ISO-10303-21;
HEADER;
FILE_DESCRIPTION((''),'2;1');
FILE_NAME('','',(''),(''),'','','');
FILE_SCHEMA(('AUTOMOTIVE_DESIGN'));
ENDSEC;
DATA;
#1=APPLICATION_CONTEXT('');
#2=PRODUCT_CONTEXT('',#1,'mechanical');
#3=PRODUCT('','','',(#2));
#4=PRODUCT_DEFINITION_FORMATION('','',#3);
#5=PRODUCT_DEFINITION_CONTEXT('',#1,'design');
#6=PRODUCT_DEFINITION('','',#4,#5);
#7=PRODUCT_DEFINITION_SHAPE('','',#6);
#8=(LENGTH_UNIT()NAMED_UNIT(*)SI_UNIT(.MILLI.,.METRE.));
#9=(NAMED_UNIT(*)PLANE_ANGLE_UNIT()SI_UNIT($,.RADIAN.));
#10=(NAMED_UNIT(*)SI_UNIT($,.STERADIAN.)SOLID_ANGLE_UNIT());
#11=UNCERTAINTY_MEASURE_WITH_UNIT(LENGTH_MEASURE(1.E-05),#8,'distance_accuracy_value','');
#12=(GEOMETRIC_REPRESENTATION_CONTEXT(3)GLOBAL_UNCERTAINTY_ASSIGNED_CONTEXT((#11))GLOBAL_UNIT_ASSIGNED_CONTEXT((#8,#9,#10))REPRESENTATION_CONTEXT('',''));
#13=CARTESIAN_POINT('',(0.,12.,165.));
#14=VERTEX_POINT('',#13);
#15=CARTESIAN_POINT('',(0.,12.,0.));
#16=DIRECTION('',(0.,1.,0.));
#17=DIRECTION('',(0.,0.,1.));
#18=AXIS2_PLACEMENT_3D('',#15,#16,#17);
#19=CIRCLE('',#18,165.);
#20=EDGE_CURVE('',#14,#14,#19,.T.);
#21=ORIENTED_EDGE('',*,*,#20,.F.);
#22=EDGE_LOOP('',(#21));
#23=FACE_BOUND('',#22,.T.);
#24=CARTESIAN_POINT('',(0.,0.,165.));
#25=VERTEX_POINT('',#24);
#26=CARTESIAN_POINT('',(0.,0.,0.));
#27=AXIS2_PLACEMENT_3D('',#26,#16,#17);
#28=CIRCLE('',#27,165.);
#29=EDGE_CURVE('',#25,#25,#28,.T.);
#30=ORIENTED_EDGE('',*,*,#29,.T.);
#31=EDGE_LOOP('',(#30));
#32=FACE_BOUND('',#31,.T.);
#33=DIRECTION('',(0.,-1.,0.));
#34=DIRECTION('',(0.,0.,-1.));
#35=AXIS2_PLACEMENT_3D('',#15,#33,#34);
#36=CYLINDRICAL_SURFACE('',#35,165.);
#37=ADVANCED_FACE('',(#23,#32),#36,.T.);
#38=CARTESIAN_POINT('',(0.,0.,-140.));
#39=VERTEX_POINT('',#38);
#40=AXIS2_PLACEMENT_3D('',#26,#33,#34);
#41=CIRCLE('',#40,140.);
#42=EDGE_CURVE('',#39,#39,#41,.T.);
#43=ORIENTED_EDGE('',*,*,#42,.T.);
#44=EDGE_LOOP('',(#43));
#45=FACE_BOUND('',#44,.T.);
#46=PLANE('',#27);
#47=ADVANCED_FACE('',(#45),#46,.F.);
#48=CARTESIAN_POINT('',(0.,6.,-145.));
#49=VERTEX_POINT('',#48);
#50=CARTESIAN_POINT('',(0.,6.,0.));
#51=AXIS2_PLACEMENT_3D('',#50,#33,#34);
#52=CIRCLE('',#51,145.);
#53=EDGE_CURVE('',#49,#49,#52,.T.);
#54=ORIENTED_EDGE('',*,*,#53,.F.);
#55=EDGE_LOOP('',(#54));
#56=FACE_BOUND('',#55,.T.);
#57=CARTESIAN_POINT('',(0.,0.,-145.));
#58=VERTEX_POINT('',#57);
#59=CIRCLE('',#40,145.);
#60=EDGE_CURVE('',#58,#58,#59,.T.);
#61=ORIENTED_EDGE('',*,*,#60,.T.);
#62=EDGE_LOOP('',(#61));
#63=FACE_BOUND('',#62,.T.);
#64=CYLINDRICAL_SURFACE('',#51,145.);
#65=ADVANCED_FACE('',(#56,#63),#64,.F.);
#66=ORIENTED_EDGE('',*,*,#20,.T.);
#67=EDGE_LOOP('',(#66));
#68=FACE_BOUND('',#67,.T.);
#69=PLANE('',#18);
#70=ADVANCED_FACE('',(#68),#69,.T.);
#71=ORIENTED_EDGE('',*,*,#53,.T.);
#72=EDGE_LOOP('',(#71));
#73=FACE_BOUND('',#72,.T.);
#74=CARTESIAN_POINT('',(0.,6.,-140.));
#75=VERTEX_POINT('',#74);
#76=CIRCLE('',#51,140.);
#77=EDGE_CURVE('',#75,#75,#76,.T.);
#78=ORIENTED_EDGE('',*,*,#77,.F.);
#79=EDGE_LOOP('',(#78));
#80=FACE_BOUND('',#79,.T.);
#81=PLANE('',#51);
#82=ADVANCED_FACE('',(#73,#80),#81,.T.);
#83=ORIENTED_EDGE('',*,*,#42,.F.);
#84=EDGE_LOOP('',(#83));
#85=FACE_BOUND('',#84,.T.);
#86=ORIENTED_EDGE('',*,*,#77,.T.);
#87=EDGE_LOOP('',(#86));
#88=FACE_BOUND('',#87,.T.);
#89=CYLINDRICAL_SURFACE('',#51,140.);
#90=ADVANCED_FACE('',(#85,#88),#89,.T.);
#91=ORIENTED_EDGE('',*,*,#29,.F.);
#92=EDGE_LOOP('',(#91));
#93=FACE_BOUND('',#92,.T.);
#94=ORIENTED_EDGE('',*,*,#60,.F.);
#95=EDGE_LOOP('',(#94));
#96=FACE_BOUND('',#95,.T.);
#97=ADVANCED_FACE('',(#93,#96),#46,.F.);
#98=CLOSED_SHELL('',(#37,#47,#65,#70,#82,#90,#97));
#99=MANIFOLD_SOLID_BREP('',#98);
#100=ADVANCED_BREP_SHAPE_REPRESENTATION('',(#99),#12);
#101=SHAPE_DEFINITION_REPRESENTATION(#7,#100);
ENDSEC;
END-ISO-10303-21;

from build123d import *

# Parameters (mm, degrees)
SKETCH1_R           = 165
BOSS_EXTRUDE1_DEPTH = 12
SKETCH2_R           = 145
SKETCH2_R_2         = 140
CUT_EXTRUDE1_DEPTH  = 6


with BuildPart() as part:
    # Sketch1 → Boss-Extrude1 (new body)
    with BuildSketch(Plane(origin=(0, 0, 0), x_dir=(1, 0, 0), z_dir=(0, 1, 0))):
        with Locations(Location((0, 0, 0), (0, 0, 270))):
            Circle(SKETCH1_R)
    extrude(amount=BOSS_EXTRUDE1_DEPTH)

    # Sketch2 → Cut-Extrude1 (cut)
    with BuildSketch(Plane.XZ):
        with Locations(Location((0, 0, 0), (0, 0, 270))):
            Circle(SKETCH2_R)
        with Locations(Location((0, 0, 0), (0, 0, 270))):
            Circle(SKETCH2_R_2, mode=Mode.SUBTRACT)
    extrude(amount=-CUT_EXTRUDE1_DEPTH, mode=Mode.SUBTRACT)


solid = part.part
